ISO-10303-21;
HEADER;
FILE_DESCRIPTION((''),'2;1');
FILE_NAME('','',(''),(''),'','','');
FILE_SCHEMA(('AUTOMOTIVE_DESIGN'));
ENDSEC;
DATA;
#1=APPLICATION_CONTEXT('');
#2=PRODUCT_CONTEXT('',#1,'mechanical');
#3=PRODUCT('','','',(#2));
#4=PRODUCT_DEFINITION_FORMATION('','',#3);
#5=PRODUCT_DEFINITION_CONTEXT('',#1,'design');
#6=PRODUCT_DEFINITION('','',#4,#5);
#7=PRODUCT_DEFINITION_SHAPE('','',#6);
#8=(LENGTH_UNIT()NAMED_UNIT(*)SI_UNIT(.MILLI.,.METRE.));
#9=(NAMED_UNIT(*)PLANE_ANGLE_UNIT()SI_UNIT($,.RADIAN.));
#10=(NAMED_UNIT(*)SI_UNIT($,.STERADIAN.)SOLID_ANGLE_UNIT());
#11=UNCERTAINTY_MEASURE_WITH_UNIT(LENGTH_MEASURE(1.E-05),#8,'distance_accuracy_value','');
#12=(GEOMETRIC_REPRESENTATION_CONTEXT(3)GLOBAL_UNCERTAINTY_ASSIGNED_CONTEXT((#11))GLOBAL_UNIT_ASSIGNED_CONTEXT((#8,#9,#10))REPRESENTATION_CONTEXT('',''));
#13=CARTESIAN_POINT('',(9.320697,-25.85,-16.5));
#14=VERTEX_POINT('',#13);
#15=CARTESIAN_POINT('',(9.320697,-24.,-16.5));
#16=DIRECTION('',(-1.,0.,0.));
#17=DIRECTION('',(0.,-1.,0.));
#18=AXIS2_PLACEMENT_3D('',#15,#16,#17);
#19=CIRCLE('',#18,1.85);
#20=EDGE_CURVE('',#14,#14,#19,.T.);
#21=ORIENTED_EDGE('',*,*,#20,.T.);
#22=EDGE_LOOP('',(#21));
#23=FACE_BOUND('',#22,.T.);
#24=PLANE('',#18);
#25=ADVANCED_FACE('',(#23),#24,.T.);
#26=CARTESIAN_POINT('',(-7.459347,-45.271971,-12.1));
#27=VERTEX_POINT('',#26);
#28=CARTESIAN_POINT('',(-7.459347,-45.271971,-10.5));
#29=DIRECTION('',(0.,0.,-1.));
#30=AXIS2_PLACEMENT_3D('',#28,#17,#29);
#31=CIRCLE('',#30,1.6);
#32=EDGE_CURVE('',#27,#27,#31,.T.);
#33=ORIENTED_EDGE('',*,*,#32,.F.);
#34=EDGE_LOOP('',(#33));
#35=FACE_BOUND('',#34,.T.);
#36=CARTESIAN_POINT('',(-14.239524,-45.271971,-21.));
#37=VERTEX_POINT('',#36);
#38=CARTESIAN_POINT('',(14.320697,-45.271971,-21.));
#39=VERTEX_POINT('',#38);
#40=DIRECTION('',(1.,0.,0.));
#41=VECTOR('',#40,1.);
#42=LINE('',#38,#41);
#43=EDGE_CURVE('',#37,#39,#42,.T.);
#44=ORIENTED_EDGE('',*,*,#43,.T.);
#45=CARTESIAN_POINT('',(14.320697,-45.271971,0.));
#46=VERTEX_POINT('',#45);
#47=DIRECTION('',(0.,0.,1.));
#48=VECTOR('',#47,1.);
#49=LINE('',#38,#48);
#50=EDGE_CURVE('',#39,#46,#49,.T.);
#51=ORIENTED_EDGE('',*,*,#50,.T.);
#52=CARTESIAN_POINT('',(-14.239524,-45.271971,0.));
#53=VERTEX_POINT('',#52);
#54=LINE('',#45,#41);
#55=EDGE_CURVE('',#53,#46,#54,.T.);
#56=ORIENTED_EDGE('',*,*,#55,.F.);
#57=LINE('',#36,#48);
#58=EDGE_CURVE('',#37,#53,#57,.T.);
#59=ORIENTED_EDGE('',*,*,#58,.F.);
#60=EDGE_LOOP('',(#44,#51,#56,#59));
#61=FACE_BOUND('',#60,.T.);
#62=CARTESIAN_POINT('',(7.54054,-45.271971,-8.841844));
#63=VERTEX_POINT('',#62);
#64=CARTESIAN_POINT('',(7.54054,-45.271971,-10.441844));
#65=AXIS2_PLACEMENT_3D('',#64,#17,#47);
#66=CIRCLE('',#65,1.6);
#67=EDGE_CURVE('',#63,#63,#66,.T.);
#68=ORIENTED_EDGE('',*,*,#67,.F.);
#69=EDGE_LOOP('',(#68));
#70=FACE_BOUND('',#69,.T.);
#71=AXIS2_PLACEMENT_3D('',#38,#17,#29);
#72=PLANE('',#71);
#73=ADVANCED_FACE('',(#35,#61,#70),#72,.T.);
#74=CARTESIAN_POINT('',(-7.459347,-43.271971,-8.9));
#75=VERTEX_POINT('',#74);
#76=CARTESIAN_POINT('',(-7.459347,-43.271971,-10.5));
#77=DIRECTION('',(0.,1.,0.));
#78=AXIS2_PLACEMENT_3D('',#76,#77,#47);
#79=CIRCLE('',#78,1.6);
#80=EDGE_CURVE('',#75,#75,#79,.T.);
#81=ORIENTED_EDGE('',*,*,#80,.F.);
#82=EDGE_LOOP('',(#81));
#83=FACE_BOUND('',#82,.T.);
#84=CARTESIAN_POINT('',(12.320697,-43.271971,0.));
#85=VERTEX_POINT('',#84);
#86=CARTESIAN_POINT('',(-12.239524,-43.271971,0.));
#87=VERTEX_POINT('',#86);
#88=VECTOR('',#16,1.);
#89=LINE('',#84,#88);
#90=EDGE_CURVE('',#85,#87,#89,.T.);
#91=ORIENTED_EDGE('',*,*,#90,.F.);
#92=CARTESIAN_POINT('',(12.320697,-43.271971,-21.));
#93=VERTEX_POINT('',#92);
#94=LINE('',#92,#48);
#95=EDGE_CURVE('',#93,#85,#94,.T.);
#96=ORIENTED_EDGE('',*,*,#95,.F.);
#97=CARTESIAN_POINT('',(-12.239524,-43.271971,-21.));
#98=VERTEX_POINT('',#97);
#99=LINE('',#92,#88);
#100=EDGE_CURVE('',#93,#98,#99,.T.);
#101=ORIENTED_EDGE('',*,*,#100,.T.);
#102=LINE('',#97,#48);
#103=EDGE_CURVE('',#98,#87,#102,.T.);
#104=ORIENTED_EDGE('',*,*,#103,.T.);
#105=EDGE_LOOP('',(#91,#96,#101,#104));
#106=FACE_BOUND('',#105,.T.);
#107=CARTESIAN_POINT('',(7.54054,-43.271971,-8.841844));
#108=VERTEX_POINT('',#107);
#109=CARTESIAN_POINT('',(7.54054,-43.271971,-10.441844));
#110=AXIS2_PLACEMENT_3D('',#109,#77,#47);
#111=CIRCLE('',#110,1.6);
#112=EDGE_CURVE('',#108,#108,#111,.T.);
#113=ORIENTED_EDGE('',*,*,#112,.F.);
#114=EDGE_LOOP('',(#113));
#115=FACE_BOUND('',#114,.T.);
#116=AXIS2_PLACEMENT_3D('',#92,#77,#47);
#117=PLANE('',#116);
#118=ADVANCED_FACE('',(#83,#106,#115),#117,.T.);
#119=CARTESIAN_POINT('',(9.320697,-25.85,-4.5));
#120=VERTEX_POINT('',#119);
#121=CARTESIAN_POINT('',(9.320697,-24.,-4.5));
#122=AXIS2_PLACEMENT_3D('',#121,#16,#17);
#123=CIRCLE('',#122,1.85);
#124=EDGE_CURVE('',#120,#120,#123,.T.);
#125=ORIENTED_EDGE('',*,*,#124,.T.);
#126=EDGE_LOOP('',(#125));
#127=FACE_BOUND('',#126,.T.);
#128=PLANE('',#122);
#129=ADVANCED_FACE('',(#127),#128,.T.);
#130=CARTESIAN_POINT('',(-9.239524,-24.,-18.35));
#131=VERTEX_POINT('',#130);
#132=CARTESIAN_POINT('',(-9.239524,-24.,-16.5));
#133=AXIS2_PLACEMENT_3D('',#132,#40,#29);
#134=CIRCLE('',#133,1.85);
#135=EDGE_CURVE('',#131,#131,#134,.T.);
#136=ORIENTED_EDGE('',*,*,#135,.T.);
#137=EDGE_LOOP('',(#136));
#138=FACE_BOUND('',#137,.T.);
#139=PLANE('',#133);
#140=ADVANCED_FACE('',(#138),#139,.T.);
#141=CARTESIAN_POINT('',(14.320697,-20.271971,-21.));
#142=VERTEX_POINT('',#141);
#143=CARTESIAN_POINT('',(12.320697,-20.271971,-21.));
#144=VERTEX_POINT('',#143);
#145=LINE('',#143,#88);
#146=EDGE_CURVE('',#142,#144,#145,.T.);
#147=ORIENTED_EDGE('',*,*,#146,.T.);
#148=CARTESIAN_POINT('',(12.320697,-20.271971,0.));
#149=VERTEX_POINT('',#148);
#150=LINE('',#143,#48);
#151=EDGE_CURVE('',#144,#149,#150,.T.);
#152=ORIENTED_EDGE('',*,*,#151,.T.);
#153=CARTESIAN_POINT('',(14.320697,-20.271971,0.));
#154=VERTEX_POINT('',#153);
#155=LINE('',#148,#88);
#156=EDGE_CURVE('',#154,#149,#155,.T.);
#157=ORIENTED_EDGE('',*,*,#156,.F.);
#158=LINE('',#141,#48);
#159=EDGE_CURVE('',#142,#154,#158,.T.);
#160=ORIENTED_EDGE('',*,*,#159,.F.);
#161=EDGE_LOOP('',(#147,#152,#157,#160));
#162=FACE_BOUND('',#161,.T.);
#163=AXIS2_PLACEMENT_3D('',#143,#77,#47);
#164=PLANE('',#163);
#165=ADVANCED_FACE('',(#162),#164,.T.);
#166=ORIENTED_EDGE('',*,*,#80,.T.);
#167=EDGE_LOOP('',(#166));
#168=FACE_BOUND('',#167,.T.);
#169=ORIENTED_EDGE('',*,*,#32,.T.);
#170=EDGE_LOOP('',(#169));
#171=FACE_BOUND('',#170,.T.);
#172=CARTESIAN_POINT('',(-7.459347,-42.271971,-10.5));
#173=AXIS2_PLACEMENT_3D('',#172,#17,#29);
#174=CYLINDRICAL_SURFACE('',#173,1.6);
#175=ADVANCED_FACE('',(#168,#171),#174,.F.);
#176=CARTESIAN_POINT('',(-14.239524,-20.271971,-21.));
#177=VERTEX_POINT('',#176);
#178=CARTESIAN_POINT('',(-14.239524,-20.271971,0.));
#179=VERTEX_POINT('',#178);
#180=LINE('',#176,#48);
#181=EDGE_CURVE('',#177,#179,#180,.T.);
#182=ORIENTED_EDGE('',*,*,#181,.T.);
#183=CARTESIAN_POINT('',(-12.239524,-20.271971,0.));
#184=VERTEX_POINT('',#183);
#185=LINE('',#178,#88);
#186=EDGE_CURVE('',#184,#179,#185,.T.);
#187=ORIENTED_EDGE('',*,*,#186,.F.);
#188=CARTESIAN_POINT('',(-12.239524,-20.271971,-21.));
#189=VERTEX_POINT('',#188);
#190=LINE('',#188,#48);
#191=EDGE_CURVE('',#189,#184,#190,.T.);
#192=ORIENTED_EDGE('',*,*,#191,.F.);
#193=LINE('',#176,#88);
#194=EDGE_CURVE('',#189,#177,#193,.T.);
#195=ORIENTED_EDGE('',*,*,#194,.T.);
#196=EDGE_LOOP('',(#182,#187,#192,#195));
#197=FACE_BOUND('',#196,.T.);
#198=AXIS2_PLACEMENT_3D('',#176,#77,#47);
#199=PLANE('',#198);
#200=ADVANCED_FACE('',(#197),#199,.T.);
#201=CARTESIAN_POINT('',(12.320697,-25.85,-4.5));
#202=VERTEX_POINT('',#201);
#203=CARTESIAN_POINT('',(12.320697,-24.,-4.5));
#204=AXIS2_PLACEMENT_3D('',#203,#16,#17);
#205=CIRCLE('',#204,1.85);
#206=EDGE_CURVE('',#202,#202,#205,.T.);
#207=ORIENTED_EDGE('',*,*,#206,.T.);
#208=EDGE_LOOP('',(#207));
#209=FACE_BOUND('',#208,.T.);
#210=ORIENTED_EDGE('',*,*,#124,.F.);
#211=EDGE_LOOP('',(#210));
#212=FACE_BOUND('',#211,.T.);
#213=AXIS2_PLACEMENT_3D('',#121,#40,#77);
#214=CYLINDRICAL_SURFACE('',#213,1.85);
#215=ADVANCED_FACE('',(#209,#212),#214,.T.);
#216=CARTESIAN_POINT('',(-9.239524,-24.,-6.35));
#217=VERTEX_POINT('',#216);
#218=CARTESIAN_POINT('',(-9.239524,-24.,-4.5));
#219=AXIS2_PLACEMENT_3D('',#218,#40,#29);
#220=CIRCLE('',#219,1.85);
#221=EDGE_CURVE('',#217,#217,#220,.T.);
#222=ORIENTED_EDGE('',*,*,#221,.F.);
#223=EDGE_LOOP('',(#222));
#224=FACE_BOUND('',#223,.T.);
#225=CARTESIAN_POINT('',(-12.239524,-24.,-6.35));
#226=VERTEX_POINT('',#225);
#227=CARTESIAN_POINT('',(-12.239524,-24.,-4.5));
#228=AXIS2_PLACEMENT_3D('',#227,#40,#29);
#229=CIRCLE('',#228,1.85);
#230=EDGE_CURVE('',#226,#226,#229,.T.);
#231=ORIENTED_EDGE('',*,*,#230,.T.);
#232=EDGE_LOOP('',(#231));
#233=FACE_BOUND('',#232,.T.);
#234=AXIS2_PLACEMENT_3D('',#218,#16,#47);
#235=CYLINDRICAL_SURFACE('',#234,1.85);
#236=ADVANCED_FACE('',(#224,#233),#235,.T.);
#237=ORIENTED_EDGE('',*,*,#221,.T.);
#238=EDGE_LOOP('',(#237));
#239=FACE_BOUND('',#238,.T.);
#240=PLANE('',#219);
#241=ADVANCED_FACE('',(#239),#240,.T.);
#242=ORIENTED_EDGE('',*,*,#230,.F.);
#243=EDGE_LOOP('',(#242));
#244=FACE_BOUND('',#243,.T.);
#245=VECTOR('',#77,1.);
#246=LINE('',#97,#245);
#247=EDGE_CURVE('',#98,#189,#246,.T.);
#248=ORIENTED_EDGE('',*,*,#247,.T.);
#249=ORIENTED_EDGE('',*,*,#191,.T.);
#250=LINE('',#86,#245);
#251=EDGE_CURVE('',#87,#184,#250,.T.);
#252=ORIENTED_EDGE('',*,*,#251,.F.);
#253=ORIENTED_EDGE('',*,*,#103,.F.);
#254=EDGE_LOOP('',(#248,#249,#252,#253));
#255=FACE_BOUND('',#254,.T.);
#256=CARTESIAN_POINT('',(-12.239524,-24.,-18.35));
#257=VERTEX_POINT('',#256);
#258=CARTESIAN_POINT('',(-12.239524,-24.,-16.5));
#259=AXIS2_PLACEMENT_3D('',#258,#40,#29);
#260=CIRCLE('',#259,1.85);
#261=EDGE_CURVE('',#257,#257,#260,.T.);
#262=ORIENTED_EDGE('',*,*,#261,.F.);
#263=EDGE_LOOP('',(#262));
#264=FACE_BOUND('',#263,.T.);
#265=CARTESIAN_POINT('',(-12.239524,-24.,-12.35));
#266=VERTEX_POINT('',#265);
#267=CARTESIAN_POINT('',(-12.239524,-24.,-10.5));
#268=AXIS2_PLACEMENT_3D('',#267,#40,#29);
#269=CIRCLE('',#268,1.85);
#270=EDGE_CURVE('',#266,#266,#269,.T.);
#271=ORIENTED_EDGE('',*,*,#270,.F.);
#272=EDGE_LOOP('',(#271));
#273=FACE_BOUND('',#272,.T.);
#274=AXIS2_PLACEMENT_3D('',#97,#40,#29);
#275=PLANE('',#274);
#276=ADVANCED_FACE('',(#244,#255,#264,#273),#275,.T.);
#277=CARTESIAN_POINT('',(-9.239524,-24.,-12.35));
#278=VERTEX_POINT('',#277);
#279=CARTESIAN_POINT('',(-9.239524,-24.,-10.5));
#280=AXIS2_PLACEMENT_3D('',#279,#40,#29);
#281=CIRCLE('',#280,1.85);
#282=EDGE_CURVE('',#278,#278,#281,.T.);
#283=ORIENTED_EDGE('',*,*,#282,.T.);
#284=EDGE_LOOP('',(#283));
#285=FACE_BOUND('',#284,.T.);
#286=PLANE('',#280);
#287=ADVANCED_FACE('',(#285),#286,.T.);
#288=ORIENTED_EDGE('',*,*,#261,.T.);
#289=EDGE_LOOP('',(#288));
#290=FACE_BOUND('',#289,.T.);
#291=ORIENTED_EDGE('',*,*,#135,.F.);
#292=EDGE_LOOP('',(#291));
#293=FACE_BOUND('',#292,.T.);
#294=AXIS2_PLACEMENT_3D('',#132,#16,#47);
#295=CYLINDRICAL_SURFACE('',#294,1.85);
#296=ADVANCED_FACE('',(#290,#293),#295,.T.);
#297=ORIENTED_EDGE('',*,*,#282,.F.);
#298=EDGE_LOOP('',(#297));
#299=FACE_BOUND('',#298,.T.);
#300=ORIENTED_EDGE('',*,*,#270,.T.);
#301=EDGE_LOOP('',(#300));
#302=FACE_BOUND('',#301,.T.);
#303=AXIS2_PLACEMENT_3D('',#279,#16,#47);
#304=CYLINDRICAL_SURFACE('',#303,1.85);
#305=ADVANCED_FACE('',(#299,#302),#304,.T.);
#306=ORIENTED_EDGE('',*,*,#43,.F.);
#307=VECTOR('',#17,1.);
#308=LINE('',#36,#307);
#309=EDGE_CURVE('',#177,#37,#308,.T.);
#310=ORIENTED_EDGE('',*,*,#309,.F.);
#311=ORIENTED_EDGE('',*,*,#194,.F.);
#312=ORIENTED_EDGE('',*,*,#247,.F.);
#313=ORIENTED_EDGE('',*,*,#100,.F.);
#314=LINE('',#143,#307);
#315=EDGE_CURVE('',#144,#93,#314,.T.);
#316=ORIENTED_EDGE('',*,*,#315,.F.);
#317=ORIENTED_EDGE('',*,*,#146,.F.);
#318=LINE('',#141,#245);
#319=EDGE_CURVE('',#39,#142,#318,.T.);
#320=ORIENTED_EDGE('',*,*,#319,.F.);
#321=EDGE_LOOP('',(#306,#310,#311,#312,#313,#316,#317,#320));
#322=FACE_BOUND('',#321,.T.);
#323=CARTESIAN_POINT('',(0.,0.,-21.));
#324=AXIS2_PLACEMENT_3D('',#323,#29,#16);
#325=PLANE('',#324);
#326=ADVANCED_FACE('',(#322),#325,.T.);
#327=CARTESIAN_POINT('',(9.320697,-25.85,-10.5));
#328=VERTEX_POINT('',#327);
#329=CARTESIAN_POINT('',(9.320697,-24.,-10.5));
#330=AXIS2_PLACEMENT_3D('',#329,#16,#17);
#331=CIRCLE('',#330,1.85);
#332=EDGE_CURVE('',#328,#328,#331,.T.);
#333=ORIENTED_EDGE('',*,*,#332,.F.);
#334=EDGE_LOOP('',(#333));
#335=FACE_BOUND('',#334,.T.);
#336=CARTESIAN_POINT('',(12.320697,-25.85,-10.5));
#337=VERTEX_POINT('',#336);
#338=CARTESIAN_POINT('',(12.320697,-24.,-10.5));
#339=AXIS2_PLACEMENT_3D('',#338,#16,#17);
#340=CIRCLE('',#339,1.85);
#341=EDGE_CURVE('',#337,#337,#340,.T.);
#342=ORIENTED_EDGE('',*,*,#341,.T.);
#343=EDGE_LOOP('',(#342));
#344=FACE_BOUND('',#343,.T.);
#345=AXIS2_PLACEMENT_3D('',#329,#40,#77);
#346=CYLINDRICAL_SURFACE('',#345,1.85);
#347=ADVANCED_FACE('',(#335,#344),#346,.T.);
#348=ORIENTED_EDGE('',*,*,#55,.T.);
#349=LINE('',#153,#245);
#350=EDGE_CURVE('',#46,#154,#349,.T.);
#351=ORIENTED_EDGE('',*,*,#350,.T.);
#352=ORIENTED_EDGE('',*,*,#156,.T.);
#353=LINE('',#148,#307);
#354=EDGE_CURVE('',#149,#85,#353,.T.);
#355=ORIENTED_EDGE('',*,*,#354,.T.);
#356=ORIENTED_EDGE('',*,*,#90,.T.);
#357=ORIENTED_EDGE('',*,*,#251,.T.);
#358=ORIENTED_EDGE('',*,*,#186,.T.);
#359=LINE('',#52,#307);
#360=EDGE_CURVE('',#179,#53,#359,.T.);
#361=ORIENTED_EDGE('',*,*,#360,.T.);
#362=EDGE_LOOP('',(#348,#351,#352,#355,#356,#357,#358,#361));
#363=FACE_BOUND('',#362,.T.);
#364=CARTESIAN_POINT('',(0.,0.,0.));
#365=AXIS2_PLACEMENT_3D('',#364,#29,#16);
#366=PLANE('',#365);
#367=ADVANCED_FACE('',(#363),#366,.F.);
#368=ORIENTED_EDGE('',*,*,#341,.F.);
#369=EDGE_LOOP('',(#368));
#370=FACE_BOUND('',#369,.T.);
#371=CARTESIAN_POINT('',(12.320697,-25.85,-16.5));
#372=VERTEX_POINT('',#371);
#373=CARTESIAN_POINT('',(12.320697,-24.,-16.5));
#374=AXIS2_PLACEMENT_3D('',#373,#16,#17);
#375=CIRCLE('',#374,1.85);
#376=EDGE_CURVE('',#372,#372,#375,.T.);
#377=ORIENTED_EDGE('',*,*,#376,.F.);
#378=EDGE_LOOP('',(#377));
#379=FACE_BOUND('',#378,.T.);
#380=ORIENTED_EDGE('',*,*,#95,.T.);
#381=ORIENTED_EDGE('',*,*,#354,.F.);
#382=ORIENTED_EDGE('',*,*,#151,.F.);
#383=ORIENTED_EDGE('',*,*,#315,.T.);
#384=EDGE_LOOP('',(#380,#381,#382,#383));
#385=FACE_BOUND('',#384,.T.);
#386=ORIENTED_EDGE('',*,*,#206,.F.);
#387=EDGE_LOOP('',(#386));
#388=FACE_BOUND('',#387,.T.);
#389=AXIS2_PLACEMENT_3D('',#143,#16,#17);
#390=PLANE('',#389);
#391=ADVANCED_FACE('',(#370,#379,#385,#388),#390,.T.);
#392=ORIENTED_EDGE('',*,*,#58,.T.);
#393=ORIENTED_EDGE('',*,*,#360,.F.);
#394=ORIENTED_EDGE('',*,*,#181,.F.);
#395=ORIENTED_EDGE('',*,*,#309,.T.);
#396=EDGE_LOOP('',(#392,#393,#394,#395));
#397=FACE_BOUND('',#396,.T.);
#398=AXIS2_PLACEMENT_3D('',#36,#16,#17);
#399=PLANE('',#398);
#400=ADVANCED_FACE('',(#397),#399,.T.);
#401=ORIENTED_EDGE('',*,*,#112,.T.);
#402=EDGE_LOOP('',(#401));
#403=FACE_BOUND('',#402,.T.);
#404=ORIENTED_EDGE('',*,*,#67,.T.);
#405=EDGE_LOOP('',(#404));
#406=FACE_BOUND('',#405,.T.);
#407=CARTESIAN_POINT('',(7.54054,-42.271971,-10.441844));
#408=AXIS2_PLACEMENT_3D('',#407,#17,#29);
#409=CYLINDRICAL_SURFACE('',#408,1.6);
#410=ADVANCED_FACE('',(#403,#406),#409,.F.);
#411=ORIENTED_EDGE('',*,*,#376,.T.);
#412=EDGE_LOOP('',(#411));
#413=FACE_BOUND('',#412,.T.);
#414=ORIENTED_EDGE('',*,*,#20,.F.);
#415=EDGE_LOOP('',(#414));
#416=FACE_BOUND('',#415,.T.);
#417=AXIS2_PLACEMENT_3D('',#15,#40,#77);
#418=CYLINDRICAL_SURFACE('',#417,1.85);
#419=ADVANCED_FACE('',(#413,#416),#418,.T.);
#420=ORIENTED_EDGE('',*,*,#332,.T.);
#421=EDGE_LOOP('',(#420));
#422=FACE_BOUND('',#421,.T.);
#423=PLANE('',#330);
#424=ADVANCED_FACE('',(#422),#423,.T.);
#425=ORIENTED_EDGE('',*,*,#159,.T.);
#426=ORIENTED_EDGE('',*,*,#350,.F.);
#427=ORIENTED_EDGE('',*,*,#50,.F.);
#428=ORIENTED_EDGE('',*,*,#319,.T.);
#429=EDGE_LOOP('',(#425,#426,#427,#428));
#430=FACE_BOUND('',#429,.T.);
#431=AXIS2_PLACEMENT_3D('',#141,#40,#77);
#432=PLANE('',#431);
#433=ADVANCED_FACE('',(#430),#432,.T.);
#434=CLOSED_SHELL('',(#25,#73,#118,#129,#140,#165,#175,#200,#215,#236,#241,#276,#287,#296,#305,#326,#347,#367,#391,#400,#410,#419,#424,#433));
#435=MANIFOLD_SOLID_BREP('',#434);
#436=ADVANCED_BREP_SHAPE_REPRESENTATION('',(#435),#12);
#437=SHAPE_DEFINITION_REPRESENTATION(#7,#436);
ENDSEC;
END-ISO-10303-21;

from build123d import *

# Parameters (mm, degrees)
BOSS_EXTRUDE4_DEPTH = 21
SKETCH7_R           = 1.6
CUT_EXTRUDE1_DEPTH  = 3
SKETCH5_R           = 1.85
BOSS_EXTRUDE5_DEPTH = 3
BOSS_EXTRUDE6_START = 3
SKETCH8_R           = 1.85
BOSS_EXTRUDE6_DEPTH = 3


with BuildPart() as part:
    # Sketch1 → Boss-Extrude4 (new body)
    with BuildSketch(Plane.XY):
        Polygon((12.320696932, -20.271970514), (14.320696932, -20.271970514), (14.320696932, -45.271970514), (-14.239524115, -45.271970514), (-14.239524115, -20.271970514), (-12.239524115, -20.271970514), (-12.239524115, -43.271970514), (12.320696932, -43.271970514), align=None)
    extrude(amount=-BOSS_EXTRUDE4_DEPTH)

    # Sketch7 → Cut-Extrude1 (cut)
    with BuildSketch(Plane.XZ.offset(45.271970514)):
        with Locations(Location((-7.459347, -10.5, 0), (0, 0, 270))):
            Circle(SKETCH7_R)
        with Locations(Location((7.540540263, -10.441844196, 0), (0, 0, 90))):
            Circle(SKETCH7_R)
    extrude(amount=-CUT_EXTRUDE1_DEPTH, mode=Mode.SUBTRACT)

    # Sketch5 → Boss-Extrude5 (add)
    with BuildSketch(Plane(origin=(-12.239524115, 0, 0), x_dir=(0, 0, -1), z_dir=(1, 0, 0))):
        with Locations((16.5, -24)):
            Circle(SKETCH5_R)
        with Locations((10.5, -24)):
            Circle(SKETCH5_R)
        with Locations((4.5, -24)):
            Circle(SKETCH5_R)
    extrude(amount=BOSS_EXTRUDE5_DEPTH)

    # Sketch8 → Boss-Extrude6 (add)
    with BuildSketch(Plane.ZY.offset(-12.320696932).offset(BOSS_EXTRUDE6_START)):
        with Locations(Location((-16.5, -24, 0), (0, 0, 180))):
            Circle(SKETCH8_R)
        with Locations(Location((-10.5, -24, 0), (0, 0, 180))):
            Circle(SKETCH8_R)
        with Locations(Location((-4.5, -24, 0), (0, 0, 180))):
            Circle(SKETCH8_R)
    extrude(amount=-BOSS_EXTRUDE6_DEPTH)


solid = part.part
